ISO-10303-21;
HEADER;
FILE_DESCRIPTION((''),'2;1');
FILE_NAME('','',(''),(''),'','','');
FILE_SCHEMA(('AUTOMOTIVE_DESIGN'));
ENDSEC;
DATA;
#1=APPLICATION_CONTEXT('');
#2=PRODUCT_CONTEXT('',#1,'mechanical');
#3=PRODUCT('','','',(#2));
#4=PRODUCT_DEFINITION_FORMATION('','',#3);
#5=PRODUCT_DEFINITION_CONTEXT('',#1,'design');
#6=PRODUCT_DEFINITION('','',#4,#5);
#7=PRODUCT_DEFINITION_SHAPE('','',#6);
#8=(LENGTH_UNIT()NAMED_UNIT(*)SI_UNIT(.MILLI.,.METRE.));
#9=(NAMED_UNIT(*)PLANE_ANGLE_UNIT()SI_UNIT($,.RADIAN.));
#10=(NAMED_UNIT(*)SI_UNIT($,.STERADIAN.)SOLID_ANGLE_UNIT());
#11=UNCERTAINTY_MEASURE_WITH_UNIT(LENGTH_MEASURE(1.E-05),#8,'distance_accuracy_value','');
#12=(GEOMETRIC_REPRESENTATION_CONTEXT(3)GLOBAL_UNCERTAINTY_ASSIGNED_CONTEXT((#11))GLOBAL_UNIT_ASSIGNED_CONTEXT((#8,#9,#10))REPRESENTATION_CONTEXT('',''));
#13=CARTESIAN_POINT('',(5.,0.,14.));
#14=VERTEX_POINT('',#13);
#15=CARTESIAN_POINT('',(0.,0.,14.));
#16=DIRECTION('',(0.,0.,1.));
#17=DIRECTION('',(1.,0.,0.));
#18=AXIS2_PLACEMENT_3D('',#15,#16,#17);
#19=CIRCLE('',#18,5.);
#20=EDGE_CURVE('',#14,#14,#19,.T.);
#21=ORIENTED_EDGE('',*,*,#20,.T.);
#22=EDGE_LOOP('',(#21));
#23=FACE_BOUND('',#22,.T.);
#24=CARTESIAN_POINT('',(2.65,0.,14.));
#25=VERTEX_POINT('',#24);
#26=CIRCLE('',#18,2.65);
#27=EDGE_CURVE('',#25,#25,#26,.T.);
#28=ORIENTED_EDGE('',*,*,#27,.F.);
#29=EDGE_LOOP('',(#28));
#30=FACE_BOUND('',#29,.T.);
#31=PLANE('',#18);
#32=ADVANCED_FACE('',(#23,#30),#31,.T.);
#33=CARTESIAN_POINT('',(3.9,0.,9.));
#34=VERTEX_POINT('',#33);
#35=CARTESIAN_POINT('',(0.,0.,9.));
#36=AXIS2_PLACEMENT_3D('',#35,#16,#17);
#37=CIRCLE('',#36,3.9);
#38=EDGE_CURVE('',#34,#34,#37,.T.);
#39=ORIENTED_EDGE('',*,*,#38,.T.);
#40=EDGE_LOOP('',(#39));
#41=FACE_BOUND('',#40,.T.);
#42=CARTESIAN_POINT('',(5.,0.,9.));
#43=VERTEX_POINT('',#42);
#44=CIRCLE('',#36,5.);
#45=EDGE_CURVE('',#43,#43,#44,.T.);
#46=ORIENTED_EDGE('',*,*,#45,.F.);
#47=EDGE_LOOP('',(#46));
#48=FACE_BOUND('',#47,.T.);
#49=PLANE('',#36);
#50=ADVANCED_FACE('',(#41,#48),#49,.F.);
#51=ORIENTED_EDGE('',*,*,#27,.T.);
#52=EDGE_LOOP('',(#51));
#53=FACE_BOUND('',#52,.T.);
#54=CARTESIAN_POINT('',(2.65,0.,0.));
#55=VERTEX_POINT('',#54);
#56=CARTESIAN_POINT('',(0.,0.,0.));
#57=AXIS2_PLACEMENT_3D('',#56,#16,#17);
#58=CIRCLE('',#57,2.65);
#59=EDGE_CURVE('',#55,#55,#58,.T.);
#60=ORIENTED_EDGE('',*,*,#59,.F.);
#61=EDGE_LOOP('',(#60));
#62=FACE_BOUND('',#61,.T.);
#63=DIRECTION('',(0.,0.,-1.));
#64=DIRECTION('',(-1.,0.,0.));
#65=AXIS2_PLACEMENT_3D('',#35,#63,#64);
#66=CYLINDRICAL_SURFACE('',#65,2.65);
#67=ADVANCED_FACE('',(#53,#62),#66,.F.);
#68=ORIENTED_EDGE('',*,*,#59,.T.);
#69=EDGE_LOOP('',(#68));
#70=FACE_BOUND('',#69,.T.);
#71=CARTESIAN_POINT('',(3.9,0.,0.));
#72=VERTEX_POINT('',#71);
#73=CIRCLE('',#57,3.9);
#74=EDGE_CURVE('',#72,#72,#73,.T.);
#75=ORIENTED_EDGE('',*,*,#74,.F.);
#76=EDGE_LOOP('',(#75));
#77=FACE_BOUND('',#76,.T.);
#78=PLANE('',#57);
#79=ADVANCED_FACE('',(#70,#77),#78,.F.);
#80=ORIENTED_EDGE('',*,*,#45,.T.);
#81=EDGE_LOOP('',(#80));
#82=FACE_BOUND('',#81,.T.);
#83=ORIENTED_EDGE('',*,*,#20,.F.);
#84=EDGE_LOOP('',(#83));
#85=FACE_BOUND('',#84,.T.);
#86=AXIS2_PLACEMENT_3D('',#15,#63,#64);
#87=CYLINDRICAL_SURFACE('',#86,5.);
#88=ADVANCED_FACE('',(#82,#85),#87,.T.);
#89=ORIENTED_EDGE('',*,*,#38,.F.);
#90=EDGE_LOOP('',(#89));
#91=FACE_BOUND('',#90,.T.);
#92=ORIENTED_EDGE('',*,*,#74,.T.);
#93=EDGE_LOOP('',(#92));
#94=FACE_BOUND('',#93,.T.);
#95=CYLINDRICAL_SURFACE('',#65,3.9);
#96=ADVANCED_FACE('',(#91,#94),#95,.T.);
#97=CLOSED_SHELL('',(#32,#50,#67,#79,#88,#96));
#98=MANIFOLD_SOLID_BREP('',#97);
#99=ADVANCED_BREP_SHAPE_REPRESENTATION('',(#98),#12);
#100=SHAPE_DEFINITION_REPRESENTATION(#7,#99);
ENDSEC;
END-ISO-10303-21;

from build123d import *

# Parameters (mm, degrees)
SCHIZZO1_R                   = 3.9
SCHIZZO1_R_2                 = 2.65
ESTRUSIONE_ESTRUSIONE1_DEPTH = 9
SCHIZZO2_R                   = 5
SCHIZZO2_R_2                 = 3.9
ESTRUSIONE_ESTRUSIONE3_DEPTH = 5
SCHIZZO3_R                   = 3.9
SCHIZZO3_R_2                 = 2.65
ESTRUSIONE_ESTRUSIONE4_DEPTH = 5


with BuildPart() as part:
    # Schizzo1 → Estrusione-Estrusione1 (new body)
    with BuildSketch(Plane.XY):
        Circle(SCHIZZO1_R)
        Circle(SCHIZZO1_R_2, mode=Mode.SUBTRACT)
    extrude(amount=ESTRUSIONE_ESTRUSIONE1_DEPTH)



with BuildPart() as body_2:
    # Schizzo2 → Estrusione-Estrusione3 (new body)
    with BuildSketch(Plane.XY.offset(9)):
        Circle(SCHIZZO2_R)
        Circle(SCHIZZO2_R_2, mode=Mode.SUBTRACT)
    extrude(amount=ESTRUSIONE_ESTRUSIONE3_DEPTH)


with BuildPart() as part_1:
    add(part.part)

    add(body_2.part)  # Estrusione-Estrusione4 merges body 2
    # Schizzo3 → Estrusione-Estrusione4 (add)
    with BuildSketch(Plane.XY.offset(9)):
        Circle(SCHIZZO3_R)
        Circle(SCHIZZO3_R_2, mode=Mode.SUBTRACT)
    extrude(amount=ESTRUSIONE_ESTRUSIONE4_DEPTH)


solid = part_1.part
